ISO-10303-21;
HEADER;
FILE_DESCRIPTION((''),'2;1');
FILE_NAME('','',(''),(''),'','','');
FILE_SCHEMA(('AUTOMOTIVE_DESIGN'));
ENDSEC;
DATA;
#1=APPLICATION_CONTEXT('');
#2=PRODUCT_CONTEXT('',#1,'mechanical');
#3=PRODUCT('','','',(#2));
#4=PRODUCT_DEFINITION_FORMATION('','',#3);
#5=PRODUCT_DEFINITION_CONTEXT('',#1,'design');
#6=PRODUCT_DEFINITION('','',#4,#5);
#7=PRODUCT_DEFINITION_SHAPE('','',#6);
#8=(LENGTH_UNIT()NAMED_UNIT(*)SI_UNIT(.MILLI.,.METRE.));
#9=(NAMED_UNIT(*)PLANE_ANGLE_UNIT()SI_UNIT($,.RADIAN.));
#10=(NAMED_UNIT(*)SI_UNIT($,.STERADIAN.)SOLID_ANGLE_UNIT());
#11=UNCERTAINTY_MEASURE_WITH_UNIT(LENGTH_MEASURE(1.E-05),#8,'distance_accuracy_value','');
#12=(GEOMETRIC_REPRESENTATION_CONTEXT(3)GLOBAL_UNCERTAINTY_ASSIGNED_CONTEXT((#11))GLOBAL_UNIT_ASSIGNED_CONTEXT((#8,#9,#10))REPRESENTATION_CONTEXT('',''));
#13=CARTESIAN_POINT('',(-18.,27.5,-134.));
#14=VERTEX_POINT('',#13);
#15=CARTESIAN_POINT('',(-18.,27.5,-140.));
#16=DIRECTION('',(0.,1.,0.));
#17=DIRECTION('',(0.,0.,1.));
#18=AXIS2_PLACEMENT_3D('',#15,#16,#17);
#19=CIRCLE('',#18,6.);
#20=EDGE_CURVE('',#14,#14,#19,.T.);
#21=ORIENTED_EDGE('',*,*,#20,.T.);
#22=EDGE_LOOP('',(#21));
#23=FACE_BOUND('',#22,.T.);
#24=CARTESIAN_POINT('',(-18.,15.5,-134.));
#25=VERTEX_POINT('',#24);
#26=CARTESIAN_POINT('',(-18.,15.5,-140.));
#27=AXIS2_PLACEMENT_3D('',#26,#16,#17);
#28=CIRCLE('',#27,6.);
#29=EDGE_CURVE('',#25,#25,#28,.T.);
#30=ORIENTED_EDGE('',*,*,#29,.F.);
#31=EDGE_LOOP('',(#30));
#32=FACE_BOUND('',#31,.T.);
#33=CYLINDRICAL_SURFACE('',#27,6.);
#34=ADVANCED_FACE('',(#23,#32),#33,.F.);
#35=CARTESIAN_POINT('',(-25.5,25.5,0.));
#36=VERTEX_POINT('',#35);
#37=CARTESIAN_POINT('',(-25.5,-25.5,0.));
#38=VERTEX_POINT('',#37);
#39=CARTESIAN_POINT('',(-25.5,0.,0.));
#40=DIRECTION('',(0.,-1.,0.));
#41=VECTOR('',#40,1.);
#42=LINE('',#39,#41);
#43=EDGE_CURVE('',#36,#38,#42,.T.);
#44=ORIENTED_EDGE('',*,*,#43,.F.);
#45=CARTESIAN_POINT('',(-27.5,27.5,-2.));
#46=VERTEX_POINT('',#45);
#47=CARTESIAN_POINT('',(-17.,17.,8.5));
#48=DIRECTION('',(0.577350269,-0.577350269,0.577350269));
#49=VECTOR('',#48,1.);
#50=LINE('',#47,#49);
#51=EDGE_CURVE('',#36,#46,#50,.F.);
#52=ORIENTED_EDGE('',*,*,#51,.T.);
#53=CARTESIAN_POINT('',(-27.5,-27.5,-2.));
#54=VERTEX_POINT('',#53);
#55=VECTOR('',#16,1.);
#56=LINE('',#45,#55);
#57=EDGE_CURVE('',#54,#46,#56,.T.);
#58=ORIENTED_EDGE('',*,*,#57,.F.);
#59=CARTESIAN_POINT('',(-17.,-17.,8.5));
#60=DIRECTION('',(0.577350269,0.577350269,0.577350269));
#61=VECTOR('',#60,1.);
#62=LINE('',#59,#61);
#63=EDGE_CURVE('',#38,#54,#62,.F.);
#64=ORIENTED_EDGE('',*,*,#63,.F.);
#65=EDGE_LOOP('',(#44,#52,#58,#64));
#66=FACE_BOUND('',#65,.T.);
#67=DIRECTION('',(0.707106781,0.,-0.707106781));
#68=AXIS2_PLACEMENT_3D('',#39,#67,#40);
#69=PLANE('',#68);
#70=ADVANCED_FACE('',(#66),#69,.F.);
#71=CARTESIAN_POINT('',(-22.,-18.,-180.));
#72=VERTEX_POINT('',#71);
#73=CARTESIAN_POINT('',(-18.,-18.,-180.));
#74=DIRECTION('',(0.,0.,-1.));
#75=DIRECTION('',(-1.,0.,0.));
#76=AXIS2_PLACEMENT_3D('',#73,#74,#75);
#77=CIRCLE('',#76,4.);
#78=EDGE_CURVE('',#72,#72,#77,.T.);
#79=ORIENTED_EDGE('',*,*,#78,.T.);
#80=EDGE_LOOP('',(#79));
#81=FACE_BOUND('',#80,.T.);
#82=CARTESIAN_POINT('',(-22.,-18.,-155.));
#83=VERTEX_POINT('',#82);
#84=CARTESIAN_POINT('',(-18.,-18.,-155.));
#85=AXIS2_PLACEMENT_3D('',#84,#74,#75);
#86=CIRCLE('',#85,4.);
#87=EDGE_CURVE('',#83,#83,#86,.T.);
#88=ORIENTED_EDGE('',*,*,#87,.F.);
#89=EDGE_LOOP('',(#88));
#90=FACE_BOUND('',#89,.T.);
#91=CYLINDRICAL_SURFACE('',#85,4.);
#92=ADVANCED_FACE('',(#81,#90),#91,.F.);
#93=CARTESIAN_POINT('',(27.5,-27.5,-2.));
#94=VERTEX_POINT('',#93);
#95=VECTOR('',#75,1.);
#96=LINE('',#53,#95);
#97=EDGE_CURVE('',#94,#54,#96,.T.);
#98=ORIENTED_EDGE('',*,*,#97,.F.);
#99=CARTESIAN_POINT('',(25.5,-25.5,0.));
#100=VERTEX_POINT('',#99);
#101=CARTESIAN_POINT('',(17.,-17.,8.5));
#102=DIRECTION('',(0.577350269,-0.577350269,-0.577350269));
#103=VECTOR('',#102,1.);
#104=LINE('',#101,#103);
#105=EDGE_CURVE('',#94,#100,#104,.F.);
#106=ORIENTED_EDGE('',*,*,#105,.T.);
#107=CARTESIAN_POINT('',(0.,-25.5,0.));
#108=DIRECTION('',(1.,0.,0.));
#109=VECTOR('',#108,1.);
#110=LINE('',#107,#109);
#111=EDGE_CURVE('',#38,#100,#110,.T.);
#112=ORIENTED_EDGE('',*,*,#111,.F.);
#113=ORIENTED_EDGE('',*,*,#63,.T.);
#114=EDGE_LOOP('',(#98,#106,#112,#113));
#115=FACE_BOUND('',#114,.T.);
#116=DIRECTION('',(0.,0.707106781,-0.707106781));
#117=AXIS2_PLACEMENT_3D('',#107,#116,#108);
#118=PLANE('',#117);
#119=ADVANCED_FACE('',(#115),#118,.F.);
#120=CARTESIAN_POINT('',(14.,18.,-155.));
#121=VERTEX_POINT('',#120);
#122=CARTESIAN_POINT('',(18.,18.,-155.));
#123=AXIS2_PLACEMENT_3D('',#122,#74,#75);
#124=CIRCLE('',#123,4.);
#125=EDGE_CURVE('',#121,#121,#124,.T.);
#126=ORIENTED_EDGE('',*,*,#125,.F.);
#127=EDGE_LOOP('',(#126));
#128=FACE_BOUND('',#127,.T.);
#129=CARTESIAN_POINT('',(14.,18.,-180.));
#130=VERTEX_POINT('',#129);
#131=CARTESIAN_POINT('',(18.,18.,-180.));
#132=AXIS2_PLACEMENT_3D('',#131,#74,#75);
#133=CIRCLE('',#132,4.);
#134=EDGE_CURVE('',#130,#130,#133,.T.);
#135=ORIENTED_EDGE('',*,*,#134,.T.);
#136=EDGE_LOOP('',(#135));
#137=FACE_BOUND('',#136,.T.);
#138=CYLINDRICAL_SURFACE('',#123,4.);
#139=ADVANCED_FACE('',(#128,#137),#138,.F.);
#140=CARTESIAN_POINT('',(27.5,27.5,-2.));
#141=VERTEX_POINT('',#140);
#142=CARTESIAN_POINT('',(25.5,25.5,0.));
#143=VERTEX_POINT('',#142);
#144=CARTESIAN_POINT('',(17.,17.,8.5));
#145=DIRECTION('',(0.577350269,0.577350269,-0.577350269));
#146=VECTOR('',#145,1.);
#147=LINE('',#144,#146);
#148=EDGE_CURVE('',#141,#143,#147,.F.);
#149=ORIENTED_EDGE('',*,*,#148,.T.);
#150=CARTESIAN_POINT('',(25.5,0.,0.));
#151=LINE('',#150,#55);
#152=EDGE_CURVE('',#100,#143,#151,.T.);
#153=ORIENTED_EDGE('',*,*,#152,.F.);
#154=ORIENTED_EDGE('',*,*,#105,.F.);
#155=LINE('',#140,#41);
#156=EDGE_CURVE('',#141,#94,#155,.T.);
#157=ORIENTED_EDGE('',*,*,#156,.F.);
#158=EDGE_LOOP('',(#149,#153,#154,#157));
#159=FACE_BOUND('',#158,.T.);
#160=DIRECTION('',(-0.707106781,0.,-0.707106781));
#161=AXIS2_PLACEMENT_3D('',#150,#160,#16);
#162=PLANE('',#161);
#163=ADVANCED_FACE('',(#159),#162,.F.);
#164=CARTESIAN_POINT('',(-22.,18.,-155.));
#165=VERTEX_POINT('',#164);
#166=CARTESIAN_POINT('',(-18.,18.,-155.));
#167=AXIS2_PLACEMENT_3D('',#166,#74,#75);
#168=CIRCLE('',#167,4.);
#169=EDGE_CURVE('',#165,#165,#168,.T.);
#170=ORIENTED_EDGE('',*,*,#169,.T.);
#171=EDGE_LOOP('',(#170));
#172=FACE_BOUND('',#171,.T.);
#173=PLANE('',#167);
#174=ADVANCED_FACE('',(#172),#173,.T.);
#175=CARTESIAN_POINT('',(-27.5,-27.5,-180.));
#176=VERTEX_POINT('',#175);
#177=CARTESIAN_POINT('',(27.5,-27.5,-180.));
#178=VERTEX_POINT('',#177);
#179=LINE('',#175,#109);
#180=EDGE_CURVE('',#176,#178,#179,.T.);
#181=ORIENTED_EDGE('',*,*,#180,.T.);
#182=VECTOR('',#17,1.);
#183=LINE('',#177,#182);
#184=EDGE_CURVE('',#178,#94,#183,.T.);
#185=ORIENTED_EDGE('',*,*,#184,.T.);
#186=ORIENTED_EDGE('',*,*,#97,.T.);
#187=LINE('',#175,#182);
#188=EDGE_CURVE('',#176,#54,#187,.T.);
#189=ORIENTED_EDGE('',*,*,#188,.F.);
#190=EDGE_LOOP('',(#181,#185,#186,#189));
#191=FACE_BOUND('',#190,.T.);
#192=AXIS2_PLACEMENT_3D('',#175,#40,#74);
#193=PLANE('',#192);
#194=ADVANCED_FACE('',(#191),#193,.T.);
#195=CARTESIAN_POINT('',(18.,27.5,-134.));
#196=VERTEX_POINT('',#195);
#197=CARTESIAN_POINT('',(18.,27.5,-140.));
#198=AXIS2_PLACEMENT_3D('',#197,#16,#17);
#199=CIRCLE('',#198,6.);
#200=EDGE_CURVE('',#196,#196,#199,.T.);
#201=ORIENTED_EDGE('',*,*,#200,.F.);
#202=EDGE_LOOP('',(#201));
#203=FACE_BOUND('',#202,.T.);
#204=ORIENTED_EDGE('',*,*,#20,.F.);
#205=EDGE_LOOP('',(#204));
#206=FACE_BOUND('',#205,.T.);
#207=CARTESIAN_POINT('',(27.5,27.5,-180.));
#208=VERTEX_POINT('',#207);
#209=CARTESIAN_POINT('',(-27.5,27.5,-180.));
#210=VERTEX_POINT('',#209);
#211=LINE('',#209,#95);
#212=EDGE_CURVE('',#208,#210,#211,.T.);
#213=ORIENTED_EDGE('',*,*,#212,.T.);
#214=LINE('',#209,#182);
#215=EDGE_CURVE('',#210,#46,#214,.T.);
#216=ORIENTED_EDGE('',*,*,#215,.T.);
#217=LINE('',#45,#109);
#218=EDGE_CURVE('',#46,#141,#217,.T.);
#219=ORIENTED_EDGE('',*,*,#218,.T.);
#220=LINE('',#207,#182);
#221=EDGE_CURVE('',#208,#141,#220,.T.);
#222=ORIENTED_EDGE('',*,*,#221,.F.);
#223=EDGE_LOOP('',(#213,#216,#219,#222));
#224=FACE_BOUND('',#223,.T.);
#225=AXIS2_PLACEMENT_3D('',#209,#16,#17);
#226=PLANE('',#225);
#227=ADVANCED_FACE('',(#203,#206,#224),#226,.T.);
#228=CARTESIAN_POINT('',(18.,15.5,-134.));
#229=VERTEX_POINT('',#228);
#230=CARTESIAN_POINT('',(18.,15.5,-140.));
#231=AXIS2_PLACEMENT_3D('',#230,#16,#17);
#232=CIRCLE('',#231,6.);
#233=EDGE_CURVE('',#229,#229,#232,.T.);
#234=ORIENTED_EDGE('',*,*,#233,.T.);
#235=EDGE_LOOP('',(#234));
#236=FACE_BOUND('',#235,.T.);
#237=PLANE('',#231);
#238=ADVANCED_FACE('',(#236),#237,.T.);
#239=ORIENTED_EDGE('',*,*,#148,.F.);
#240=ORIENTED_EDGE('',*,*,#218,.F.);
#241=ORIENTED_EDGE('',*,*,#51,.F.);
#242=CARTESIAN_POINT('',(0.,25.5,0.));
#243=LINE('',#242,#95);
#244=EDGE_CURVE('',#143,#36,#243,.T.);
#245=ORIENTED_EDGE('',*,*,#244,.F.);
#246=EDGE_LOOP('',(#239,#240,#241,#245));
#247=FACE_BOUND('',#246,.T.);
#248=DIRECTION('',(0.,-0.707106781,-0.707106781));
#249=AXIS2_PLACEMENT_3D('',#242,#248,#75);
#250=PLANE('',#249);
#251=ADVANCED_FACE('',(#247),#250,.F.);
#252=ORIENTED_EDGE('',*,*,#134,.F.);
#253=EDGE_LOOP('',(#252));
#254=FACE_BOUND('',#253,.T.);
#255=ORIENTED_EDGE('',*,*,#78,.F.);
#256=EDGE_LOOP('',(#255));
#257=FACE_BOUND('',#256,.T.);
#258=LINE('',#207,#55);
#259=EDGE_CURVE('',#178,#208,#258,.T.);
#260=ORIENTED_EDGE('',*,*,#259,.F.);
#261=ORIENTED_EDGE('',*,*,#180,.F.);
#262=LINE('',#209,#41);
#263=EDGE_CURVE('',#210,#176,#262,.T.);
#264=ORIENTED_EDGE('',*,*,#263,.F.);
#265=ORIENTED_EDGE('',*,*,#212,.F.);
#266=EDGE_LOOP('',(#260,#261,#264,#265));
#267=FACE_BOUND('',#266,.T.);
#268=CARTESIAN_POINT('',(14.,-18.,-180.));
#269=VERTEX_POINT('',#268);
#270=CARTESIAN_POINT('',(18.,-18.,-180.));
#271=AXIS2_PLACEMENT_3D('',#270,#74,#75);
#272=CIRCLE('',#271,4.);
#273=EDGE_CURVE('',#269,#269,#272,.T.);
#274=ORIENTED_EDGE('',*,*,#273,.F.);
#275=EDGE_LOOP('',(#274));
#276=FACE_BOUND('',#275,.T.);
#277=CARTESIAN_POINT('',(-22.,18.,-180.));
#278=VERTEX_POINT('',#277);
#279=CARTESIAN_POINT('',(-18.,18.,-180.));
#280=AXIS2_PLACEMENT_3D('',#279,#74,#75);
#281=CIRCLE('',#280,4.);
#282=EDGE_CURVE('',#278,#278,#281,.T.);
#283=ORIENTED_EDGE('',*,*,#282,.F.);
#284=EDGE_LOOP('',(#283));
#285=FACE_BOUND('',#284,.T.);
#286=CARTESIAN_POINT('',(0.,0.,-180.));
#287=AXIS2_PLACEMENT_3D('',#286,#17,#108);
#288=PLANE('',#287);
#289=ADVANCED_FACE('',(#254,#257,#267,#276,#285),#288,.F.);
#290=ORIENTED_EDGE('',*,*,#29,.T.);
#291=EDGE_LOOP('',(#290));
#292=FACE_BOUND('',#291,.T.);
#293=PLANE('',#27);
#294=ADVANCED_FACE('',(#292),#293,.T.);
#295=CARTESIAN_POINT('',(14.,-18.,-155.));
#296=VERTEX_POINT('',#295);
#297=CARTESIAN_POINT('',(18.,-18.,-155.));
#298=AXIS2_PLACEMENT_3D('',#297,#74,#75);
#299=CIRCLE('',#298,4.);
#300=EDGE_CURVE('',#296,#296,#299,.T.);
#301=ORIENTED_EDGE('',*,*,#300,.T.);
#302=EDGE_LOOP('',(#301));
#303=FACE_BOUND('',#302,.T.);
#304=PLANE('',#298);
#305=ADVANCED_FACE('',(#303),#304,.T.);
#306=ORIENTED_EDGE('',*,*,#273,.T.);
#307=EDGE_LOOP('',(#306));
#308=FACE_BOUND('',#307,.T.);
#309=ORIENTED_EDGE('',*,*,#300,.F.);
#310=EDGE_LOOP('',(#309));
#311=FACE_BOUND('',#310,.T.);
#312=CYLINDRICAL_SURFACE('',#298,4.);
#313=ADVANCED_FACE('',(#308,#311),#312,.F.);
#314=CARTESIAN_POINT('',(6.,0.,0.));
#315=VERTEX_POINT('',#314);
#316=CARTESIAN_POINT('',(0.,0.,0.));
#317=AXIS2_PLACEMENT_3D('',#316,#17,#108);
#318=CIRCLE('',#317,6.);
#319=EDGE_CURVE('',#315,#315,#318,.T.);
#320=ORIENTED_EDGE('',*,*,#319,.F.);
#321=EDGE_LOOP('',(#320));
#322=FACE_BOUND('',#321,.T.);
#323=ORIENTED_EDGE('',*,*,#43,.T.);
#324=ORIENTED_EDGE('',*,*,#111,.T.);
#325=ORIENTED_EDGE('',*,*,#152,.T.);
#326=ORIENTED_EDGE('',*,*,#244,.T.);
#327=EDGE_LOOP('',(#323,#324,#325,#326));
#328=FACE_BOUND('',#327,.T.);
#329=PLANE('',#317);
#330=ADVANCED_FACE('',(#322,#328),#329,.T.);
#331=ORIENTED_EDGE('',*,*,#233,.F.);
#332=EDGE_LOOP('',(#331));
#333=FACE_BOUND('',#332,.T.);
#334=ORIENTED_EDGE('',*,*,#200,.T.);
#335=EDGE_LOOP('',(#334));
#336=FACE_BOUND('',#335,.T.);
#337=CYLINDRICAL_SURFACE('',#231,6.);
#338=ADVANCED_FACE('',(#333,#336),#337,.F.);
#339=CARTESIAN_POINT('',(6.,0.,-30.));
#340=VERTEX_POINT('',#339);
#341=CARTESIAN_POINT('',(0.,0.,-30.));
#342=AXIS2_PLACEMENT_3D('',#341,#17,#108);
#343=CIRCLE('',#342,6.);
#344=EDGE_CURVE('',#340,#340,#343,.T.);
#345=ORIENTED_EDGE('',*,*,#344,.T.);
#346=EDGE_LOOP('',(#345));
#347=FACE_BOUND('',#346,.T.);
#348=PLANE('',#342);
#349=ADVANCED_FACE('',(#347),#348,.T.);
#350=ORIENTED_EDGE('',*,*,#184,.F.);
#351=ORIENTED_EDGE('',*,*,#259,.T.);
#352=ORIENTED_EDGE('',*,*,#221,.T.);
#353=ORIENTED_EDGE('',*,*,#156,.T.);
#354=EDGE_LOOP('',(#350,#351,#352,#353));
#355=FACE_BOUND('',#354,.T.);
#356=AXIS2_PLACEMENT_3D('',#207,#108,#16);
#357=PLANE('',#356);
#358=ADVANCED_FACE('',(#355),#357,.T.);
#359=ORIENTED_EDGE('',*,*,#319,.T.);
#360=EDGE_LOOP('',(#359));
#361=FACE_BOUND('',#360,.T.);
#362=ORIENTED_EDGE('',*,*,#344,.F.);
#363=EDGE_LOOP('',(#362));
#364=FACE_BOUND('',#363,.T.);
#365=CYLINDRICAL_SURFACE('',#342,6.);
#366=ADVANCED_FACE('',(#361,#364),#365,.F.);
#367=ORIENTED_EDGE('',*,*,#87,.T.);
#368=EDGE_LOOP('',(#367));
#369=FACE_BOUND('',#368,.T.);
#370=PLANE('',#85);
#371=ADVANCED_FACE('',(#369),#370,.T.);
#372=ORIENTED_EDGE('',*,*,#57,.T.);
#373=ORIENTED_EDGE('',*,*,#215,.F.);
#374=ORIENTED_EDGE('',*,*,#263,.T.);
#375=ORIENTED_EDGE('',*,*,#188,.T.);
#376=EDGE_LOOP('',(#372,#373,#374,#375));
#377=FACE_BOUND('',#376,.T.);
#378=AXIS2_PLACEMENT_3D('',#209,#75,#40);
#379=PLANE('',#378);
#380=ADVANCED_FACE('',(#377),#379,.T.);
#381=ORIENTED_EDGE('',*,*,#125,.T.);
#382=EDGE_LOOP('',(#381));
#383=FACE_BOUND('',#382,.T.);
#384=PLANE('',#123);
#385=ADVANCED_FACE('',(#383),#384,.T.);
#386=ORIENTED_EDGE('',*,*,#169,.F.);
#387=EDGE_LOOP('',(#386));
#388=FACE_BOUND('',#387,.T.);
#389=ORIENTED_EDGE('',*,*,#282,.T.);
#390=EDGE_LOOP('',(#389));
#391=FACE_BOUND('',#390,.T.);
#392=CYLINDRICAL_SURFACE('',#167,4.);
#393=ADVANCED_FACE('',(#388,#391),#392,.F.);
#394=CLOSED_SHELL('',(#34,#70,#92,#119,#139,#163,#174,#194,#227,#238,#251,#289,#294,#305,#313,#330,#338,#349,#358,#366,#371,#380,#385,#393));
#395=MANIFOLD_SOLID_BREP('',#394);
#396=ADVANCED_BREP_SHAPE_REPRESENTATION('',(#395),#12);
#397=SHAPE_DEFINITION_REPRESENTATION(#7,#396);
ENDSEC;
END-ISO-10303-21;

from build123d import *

# Parameters (mm, degrees)
CROQUIS1_W              = 55
CROQUIS1_H              = 55
SALIENTE_EXTRUIR1_DEPTH = 180
CROQUIS2_R              = 6
CORTAR_EXTRUIR1_DEPTH   = 30
CROQUIS3_R              = 4
CORTAR_EXTRUIR2_DEPTH   = 25
CROQUIS6_R              = 6
CORTAR_EXTRUIR5_DEPTH   = 12
CHAFL_N1_SIZE           = 2


with BuildPart() as part:
    # Croquis1 → Saliente-Extruir1 (new body)
    with BuildSketch(Plane.XY):
        Rectangle(CROQUIS1_W, CROQUIS1_H)
    extrude(amount=-SALIENTE_EXTRUIR1_DEPTH)

    # Croquis2 → Cortar-Extruir1 (cut)
    with BuildSketch(Plane.XY):
        Circle(CROQUIS2_R)
    extrude(amount=-CORTAR_EXTRUIR1_DEPTH, mode=Mode.SUBTRACT)

    # Croquis3 → Cortar-Extruir2 (cut)
    with BuildSketch(Plane(origin=(0, 0, -180), x_dir=(-1, 0, 0), z_dir=(0, 0, -1))):
        with Locations((18, 18)):
            Circle(CROQUIS3_R)
        with Locations((-18, 18)):
            Circle(CROQUIS3_R)
        with Locations((-18, -18)):
            Circle(CROQUIS3_R)
        with Locations((18, -18)):
            Circle(CROQUIS3_R)
    extrude(amount=-CORTAR_EXTRUIR2_DEPTH, mode=Mode.SUBTRACT)

    # Croquis6 → Cortar-Extruir5 (cut)
    with BuildSketch(Plane(origin=(0, 27.5, 0), x_dir=(1, 0, 0), z_dir=(0, 1, 0))):
        with Locations(Location((-18, 140, 0), (0, 0, 270))):
            Circle(CROQUIS6_R)
        with Locations(Location((18, 140, 0), (0, 0, 270))):
            Circle(CROQUIS6_R)
    extrude(amount=-CORTAR_EXTRUIR5_DEPTH, mode=Mode.SUBTRACT)

    # Chaflán1
    chafl_n1_edges = [part.edges().sort_by_distance(p)[0] for p in [
        (0, -27.5, 0),
        (-27.5, 0, 0),
        (0, 27.5, 0),
        (27.5, 0, 0),
    ]]
    chamfer(chafl_n1_edges, length=CHAFL_N1_SIZE)


solid = part.part
